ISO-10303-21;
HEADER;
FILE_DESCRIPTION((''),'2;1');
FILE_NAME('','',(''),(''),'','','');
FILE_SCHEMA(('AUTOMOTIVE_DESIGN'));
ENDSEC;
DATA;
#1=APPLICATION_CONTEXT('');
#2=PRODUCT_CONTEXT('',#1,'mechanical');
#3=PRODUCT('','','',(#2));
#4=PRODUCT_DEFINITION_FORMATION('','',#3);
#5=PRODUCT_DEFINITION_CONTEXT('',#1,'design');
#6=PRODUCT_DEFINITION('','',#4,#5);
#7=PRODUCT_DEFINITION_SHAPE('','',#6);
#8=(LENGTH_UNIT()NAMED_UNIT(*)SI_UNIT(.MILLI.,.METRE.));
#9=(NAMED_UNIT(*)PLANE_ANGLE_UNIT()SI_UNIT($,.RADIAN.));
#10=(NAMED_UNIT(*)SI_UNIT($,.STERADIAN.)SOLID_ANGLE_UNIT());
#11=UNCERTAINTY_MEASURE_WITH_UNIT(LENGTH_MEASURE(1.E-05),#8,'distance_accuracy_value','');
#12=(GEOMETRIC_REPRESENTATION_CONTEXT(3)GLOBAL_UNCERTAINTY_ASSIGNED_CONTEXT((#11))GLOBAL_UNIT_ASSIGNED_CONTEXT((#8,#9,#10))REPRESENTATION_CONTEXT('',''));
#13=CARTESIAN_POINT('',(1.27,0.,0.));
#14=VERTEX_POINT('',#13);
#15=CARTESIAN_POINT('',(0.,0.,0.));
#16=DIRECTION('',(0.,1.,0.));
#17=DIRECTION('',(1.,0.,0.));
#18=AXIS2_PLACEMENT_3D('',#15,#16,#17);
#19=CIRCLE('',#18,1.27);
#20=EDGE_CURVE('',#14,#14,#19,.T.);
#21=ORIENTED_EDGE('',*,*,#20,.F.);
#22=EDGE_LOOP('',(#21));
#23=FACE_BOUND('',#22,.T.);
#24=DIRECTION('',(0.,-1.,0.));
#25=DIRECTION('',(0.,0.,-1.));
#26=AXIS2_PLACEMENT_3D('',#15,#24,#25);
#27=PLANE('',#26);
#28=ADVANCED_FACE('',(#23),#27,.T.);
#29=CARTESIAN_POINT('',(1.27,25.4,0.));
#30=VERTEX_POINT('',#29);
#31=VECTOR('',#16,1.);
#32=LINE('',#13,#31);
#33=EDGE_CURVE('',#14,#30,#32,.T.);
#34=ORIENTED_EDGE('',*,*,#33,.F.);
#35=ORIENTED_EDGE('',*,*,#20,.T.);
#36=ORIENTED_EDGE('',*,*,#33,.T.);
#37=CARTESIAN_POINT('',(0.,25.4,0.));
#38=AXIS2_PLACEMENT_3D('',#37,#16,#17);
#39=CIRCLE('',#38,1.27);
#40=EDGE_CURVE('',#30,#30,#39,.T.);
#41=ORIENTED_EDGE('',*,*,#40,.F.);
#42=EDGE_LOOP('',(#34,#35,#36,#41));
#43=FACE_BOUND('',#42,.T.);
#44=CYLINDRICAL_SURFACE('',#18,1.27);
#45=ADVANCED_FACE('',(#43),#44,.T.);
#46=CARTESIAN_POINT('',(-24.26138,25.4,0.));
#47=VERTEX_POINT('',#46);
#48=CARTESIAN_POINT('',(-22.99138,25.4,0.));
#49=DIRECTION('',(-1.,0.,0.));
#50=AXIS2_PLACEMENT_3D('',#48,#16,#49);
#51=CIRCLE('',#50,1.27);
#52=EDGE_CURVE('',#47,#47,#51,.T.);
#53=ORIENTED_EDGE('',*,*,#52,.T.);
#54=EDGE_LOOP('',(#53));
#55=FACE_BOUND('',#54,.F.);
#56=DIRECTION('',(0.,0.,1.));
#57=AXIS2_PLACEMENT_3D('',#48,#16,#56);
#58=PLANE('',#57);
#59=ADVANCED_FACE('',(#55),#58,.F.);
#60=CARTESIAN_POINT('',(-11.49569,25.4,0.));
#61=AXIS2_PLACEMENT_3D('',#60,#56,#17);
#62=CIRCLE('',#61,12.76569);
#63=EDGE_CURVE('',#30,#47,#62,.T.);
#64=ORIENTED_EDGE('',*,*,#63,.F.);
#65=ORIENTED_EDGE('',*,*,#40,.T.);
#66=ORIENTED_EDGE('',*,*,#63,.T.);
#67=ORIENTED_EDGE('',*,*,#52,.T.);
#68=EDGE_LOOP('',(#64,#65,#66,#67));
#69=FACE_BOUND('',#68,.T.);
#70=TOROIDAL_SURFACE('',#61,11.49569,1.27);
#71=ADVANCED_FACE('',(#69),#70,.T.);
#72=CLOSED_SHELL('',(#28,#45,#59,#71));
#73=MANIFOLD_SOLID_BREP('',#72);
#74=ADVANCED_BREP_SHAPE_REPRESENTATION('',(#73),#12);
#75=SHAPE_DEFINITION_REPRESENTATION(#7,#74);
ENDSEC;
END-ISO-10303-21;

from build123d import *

# Parameters (mm, degrees)
F1_R = 1.27


with BuildPart() as f2:
    # F2: sweep along a path in F0
    with BuildLine(Plane.XY) as f2_path:
        Line((0, 0), (0, 25.4))
        ThreePointArc((0, 25.4), (-11.49569, 36.89569), (-22.99138, 25.4))
    # F1 (on Front) → F2 (sweep)
    with BuildSketch(Plane.XZ):
        Circle(F1_R)
    sweep(path=f2_path.line)


solid = f2.part
